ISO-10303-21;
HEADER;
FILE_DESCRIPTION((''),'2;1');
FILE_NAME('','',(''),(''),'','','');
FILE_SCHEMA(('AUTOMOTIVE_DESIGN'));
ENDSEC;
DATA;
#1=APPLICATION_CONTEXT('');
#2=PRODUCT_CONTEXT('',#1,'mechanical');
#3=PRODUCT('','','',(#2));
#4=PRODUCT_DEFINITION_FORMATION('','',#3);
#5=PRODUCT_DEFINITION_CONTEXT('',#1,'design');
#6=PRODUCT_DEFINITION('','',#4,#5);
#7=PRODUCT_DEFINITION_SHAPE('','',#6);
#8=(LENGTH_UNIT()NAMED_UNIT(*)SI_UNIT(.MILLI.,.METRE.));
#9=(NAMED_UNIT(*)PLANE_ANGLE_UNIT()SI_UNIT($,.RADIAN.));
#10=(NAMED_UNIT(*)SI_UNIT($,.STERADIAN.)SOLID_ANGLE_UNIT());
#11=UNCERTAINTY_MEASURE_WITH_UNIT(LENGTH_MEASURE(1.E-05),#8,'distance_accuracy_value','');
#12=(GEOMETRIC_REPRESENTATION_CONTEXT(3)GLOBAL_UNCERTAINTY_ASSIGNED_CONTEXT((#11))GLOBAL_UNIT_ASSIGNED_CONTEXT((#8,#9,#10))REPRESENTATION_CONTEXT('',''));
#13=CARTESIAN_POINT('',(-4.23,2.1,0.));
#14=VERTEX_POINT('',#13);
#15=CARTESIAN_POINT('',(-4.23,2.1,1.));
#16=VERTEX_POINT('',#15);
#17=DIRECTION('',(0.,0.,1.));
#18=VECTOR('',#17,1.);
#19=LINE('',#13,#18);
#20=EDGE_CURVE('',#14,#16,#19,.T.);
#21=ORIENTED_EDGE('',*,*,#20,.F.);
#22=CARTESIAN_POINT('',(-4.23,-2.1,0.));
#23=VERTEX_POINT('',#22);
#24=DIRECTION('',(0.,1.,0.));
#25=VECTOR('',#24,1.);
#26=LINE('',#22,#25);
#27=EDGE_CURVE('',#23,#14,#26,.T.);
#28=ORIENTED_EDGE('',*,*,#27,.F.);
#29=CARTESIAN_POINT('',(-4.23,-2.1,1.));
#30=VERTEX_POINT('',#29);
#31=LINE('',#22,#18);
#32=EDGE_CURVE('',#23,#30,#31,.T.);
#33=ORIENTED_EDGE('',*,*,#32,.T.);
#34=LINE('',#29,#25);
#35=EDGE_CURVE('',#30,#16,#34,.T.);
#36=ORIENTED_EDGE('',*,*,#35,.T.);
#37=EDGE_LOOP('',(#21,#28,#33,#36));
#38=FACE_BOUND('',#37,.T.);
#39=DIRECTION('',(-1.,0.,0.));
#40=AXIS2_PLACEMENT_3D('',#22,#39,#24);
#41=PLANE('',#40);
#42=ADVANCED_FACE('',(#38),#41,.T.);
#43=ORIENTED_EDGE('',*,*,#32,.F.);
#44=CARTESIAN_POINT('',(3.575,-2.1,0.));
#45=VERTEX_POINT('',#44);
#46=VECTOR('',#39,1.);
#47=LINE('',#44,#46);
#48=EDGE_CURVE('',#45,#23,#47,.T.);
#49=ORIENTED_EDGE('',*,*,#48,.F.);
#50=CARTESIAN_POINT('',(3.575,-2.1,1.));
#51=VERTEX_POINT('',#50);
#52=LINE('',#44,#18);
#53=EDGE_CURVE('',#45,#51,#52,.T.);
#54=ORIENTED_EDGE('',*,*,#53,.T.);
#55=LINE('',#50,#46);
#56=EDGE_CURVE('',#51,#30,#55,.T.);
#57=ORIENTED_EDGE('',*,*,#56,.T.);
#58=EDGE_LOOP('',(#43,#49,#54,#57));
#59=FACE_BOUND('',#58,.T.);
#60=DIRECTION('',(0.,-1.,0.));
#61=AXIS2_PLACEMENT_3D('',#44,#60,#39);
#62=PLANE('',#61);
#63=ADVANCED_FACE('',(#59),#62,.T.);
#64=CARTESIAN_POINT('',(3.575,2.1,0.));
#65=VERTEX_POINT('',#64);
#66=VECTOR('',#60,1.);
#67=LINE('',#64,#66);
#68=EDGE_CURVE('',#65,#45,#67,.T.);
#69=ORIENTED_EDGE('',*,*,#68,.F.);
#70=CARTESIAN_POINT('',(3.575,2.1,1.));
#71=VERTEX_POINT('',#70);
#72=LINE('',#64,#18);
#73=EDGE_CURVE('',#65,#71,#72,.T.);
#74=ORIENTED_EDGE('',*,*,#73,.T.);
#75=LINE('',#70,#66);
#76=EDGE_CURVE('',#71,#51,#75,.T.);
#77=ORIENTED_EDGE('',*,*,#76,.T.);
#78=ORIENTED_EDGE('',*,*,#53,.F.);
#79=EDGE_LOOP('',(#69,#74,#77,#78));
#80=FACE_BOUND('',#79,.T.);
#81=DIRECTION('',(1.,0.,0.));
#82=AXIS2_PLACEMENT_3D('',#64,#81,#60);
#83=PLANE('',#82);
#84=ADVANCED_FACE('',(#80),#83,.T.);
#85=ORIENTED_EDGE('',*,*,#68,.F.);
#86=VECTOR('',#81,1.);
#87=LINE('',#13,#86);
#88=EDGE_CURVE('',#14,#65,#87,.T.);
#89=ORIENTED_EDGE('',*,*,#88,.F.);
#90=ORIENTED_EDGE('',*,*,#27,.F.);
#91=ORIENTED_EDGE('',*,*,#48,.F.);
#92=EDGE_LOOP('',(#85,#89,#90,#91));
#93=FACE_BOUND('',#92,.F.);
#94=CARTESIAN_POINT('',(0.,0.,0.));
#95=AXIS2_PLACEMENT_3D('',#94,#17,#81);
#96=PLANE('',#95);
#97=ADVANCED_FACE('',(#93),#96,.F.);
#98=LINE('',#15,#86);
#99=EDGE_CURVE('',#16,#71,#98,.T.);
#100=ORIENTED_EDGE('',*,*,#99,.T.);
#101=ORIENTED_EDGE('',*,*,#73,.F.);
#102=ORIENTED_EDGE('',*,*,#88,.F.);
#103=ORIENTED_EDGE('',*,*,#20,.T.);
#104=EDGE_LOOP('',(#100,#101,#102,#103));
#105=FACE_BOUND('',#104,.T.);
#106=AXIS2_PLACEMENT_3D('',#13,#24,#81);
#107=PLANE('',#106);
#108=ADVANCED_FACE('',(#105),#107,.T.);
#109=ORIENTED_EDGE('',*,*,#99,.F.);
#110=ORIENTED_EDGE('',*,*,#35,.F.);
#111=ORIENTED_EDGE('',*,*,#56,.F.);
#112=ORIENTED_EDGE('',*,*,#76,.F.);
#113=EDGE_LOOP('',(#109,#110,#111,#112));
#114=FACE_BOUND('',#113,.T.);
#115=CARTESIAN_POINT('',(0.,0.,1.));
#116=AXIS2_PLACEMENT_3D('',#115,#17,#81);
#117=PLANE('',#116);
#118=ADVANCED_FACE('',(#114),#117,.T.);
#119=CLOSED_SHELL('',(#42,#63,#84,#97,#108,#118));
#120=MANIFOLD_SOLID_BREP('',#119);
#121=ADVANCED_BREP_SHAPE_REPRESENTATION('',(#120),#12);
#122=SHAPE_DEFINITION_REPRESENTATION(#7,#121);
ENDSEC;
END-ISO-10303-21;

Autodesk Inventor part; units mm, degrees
ref_plane "YZ Plane" through (0, 0, 0) normal (1, 0, 0) x (0, 1, 0)
ref_plane "XZ Plane" through (0, 0, 0) normal (0, 1, 0) x (-1, 0, 0)
ref_plane "XY Plane" through (0, 0, 0) normal (0, 0, 1) x (1, 0, 0)
sketch "TSSOP8, ICS844071_247" plane through (0, 0, 0) normal (0, 0, 1) x (1, 0, 0)
  line L0 (-4.23, -2.1) -> (-4.23, 2.1)
  line L1 (-4.23, 2.1) -> (3.575, 2.1)
  line L2 (3.575, 2.1) -> (3.575, -2.1)
  line L3 (3.575, -2.1) -> (-4.23, -2.1)
extrude "Extrusion1" add sketch "TSSOP8, ICS844071_247" along normal blind 1
properties part number "ICS844071"
